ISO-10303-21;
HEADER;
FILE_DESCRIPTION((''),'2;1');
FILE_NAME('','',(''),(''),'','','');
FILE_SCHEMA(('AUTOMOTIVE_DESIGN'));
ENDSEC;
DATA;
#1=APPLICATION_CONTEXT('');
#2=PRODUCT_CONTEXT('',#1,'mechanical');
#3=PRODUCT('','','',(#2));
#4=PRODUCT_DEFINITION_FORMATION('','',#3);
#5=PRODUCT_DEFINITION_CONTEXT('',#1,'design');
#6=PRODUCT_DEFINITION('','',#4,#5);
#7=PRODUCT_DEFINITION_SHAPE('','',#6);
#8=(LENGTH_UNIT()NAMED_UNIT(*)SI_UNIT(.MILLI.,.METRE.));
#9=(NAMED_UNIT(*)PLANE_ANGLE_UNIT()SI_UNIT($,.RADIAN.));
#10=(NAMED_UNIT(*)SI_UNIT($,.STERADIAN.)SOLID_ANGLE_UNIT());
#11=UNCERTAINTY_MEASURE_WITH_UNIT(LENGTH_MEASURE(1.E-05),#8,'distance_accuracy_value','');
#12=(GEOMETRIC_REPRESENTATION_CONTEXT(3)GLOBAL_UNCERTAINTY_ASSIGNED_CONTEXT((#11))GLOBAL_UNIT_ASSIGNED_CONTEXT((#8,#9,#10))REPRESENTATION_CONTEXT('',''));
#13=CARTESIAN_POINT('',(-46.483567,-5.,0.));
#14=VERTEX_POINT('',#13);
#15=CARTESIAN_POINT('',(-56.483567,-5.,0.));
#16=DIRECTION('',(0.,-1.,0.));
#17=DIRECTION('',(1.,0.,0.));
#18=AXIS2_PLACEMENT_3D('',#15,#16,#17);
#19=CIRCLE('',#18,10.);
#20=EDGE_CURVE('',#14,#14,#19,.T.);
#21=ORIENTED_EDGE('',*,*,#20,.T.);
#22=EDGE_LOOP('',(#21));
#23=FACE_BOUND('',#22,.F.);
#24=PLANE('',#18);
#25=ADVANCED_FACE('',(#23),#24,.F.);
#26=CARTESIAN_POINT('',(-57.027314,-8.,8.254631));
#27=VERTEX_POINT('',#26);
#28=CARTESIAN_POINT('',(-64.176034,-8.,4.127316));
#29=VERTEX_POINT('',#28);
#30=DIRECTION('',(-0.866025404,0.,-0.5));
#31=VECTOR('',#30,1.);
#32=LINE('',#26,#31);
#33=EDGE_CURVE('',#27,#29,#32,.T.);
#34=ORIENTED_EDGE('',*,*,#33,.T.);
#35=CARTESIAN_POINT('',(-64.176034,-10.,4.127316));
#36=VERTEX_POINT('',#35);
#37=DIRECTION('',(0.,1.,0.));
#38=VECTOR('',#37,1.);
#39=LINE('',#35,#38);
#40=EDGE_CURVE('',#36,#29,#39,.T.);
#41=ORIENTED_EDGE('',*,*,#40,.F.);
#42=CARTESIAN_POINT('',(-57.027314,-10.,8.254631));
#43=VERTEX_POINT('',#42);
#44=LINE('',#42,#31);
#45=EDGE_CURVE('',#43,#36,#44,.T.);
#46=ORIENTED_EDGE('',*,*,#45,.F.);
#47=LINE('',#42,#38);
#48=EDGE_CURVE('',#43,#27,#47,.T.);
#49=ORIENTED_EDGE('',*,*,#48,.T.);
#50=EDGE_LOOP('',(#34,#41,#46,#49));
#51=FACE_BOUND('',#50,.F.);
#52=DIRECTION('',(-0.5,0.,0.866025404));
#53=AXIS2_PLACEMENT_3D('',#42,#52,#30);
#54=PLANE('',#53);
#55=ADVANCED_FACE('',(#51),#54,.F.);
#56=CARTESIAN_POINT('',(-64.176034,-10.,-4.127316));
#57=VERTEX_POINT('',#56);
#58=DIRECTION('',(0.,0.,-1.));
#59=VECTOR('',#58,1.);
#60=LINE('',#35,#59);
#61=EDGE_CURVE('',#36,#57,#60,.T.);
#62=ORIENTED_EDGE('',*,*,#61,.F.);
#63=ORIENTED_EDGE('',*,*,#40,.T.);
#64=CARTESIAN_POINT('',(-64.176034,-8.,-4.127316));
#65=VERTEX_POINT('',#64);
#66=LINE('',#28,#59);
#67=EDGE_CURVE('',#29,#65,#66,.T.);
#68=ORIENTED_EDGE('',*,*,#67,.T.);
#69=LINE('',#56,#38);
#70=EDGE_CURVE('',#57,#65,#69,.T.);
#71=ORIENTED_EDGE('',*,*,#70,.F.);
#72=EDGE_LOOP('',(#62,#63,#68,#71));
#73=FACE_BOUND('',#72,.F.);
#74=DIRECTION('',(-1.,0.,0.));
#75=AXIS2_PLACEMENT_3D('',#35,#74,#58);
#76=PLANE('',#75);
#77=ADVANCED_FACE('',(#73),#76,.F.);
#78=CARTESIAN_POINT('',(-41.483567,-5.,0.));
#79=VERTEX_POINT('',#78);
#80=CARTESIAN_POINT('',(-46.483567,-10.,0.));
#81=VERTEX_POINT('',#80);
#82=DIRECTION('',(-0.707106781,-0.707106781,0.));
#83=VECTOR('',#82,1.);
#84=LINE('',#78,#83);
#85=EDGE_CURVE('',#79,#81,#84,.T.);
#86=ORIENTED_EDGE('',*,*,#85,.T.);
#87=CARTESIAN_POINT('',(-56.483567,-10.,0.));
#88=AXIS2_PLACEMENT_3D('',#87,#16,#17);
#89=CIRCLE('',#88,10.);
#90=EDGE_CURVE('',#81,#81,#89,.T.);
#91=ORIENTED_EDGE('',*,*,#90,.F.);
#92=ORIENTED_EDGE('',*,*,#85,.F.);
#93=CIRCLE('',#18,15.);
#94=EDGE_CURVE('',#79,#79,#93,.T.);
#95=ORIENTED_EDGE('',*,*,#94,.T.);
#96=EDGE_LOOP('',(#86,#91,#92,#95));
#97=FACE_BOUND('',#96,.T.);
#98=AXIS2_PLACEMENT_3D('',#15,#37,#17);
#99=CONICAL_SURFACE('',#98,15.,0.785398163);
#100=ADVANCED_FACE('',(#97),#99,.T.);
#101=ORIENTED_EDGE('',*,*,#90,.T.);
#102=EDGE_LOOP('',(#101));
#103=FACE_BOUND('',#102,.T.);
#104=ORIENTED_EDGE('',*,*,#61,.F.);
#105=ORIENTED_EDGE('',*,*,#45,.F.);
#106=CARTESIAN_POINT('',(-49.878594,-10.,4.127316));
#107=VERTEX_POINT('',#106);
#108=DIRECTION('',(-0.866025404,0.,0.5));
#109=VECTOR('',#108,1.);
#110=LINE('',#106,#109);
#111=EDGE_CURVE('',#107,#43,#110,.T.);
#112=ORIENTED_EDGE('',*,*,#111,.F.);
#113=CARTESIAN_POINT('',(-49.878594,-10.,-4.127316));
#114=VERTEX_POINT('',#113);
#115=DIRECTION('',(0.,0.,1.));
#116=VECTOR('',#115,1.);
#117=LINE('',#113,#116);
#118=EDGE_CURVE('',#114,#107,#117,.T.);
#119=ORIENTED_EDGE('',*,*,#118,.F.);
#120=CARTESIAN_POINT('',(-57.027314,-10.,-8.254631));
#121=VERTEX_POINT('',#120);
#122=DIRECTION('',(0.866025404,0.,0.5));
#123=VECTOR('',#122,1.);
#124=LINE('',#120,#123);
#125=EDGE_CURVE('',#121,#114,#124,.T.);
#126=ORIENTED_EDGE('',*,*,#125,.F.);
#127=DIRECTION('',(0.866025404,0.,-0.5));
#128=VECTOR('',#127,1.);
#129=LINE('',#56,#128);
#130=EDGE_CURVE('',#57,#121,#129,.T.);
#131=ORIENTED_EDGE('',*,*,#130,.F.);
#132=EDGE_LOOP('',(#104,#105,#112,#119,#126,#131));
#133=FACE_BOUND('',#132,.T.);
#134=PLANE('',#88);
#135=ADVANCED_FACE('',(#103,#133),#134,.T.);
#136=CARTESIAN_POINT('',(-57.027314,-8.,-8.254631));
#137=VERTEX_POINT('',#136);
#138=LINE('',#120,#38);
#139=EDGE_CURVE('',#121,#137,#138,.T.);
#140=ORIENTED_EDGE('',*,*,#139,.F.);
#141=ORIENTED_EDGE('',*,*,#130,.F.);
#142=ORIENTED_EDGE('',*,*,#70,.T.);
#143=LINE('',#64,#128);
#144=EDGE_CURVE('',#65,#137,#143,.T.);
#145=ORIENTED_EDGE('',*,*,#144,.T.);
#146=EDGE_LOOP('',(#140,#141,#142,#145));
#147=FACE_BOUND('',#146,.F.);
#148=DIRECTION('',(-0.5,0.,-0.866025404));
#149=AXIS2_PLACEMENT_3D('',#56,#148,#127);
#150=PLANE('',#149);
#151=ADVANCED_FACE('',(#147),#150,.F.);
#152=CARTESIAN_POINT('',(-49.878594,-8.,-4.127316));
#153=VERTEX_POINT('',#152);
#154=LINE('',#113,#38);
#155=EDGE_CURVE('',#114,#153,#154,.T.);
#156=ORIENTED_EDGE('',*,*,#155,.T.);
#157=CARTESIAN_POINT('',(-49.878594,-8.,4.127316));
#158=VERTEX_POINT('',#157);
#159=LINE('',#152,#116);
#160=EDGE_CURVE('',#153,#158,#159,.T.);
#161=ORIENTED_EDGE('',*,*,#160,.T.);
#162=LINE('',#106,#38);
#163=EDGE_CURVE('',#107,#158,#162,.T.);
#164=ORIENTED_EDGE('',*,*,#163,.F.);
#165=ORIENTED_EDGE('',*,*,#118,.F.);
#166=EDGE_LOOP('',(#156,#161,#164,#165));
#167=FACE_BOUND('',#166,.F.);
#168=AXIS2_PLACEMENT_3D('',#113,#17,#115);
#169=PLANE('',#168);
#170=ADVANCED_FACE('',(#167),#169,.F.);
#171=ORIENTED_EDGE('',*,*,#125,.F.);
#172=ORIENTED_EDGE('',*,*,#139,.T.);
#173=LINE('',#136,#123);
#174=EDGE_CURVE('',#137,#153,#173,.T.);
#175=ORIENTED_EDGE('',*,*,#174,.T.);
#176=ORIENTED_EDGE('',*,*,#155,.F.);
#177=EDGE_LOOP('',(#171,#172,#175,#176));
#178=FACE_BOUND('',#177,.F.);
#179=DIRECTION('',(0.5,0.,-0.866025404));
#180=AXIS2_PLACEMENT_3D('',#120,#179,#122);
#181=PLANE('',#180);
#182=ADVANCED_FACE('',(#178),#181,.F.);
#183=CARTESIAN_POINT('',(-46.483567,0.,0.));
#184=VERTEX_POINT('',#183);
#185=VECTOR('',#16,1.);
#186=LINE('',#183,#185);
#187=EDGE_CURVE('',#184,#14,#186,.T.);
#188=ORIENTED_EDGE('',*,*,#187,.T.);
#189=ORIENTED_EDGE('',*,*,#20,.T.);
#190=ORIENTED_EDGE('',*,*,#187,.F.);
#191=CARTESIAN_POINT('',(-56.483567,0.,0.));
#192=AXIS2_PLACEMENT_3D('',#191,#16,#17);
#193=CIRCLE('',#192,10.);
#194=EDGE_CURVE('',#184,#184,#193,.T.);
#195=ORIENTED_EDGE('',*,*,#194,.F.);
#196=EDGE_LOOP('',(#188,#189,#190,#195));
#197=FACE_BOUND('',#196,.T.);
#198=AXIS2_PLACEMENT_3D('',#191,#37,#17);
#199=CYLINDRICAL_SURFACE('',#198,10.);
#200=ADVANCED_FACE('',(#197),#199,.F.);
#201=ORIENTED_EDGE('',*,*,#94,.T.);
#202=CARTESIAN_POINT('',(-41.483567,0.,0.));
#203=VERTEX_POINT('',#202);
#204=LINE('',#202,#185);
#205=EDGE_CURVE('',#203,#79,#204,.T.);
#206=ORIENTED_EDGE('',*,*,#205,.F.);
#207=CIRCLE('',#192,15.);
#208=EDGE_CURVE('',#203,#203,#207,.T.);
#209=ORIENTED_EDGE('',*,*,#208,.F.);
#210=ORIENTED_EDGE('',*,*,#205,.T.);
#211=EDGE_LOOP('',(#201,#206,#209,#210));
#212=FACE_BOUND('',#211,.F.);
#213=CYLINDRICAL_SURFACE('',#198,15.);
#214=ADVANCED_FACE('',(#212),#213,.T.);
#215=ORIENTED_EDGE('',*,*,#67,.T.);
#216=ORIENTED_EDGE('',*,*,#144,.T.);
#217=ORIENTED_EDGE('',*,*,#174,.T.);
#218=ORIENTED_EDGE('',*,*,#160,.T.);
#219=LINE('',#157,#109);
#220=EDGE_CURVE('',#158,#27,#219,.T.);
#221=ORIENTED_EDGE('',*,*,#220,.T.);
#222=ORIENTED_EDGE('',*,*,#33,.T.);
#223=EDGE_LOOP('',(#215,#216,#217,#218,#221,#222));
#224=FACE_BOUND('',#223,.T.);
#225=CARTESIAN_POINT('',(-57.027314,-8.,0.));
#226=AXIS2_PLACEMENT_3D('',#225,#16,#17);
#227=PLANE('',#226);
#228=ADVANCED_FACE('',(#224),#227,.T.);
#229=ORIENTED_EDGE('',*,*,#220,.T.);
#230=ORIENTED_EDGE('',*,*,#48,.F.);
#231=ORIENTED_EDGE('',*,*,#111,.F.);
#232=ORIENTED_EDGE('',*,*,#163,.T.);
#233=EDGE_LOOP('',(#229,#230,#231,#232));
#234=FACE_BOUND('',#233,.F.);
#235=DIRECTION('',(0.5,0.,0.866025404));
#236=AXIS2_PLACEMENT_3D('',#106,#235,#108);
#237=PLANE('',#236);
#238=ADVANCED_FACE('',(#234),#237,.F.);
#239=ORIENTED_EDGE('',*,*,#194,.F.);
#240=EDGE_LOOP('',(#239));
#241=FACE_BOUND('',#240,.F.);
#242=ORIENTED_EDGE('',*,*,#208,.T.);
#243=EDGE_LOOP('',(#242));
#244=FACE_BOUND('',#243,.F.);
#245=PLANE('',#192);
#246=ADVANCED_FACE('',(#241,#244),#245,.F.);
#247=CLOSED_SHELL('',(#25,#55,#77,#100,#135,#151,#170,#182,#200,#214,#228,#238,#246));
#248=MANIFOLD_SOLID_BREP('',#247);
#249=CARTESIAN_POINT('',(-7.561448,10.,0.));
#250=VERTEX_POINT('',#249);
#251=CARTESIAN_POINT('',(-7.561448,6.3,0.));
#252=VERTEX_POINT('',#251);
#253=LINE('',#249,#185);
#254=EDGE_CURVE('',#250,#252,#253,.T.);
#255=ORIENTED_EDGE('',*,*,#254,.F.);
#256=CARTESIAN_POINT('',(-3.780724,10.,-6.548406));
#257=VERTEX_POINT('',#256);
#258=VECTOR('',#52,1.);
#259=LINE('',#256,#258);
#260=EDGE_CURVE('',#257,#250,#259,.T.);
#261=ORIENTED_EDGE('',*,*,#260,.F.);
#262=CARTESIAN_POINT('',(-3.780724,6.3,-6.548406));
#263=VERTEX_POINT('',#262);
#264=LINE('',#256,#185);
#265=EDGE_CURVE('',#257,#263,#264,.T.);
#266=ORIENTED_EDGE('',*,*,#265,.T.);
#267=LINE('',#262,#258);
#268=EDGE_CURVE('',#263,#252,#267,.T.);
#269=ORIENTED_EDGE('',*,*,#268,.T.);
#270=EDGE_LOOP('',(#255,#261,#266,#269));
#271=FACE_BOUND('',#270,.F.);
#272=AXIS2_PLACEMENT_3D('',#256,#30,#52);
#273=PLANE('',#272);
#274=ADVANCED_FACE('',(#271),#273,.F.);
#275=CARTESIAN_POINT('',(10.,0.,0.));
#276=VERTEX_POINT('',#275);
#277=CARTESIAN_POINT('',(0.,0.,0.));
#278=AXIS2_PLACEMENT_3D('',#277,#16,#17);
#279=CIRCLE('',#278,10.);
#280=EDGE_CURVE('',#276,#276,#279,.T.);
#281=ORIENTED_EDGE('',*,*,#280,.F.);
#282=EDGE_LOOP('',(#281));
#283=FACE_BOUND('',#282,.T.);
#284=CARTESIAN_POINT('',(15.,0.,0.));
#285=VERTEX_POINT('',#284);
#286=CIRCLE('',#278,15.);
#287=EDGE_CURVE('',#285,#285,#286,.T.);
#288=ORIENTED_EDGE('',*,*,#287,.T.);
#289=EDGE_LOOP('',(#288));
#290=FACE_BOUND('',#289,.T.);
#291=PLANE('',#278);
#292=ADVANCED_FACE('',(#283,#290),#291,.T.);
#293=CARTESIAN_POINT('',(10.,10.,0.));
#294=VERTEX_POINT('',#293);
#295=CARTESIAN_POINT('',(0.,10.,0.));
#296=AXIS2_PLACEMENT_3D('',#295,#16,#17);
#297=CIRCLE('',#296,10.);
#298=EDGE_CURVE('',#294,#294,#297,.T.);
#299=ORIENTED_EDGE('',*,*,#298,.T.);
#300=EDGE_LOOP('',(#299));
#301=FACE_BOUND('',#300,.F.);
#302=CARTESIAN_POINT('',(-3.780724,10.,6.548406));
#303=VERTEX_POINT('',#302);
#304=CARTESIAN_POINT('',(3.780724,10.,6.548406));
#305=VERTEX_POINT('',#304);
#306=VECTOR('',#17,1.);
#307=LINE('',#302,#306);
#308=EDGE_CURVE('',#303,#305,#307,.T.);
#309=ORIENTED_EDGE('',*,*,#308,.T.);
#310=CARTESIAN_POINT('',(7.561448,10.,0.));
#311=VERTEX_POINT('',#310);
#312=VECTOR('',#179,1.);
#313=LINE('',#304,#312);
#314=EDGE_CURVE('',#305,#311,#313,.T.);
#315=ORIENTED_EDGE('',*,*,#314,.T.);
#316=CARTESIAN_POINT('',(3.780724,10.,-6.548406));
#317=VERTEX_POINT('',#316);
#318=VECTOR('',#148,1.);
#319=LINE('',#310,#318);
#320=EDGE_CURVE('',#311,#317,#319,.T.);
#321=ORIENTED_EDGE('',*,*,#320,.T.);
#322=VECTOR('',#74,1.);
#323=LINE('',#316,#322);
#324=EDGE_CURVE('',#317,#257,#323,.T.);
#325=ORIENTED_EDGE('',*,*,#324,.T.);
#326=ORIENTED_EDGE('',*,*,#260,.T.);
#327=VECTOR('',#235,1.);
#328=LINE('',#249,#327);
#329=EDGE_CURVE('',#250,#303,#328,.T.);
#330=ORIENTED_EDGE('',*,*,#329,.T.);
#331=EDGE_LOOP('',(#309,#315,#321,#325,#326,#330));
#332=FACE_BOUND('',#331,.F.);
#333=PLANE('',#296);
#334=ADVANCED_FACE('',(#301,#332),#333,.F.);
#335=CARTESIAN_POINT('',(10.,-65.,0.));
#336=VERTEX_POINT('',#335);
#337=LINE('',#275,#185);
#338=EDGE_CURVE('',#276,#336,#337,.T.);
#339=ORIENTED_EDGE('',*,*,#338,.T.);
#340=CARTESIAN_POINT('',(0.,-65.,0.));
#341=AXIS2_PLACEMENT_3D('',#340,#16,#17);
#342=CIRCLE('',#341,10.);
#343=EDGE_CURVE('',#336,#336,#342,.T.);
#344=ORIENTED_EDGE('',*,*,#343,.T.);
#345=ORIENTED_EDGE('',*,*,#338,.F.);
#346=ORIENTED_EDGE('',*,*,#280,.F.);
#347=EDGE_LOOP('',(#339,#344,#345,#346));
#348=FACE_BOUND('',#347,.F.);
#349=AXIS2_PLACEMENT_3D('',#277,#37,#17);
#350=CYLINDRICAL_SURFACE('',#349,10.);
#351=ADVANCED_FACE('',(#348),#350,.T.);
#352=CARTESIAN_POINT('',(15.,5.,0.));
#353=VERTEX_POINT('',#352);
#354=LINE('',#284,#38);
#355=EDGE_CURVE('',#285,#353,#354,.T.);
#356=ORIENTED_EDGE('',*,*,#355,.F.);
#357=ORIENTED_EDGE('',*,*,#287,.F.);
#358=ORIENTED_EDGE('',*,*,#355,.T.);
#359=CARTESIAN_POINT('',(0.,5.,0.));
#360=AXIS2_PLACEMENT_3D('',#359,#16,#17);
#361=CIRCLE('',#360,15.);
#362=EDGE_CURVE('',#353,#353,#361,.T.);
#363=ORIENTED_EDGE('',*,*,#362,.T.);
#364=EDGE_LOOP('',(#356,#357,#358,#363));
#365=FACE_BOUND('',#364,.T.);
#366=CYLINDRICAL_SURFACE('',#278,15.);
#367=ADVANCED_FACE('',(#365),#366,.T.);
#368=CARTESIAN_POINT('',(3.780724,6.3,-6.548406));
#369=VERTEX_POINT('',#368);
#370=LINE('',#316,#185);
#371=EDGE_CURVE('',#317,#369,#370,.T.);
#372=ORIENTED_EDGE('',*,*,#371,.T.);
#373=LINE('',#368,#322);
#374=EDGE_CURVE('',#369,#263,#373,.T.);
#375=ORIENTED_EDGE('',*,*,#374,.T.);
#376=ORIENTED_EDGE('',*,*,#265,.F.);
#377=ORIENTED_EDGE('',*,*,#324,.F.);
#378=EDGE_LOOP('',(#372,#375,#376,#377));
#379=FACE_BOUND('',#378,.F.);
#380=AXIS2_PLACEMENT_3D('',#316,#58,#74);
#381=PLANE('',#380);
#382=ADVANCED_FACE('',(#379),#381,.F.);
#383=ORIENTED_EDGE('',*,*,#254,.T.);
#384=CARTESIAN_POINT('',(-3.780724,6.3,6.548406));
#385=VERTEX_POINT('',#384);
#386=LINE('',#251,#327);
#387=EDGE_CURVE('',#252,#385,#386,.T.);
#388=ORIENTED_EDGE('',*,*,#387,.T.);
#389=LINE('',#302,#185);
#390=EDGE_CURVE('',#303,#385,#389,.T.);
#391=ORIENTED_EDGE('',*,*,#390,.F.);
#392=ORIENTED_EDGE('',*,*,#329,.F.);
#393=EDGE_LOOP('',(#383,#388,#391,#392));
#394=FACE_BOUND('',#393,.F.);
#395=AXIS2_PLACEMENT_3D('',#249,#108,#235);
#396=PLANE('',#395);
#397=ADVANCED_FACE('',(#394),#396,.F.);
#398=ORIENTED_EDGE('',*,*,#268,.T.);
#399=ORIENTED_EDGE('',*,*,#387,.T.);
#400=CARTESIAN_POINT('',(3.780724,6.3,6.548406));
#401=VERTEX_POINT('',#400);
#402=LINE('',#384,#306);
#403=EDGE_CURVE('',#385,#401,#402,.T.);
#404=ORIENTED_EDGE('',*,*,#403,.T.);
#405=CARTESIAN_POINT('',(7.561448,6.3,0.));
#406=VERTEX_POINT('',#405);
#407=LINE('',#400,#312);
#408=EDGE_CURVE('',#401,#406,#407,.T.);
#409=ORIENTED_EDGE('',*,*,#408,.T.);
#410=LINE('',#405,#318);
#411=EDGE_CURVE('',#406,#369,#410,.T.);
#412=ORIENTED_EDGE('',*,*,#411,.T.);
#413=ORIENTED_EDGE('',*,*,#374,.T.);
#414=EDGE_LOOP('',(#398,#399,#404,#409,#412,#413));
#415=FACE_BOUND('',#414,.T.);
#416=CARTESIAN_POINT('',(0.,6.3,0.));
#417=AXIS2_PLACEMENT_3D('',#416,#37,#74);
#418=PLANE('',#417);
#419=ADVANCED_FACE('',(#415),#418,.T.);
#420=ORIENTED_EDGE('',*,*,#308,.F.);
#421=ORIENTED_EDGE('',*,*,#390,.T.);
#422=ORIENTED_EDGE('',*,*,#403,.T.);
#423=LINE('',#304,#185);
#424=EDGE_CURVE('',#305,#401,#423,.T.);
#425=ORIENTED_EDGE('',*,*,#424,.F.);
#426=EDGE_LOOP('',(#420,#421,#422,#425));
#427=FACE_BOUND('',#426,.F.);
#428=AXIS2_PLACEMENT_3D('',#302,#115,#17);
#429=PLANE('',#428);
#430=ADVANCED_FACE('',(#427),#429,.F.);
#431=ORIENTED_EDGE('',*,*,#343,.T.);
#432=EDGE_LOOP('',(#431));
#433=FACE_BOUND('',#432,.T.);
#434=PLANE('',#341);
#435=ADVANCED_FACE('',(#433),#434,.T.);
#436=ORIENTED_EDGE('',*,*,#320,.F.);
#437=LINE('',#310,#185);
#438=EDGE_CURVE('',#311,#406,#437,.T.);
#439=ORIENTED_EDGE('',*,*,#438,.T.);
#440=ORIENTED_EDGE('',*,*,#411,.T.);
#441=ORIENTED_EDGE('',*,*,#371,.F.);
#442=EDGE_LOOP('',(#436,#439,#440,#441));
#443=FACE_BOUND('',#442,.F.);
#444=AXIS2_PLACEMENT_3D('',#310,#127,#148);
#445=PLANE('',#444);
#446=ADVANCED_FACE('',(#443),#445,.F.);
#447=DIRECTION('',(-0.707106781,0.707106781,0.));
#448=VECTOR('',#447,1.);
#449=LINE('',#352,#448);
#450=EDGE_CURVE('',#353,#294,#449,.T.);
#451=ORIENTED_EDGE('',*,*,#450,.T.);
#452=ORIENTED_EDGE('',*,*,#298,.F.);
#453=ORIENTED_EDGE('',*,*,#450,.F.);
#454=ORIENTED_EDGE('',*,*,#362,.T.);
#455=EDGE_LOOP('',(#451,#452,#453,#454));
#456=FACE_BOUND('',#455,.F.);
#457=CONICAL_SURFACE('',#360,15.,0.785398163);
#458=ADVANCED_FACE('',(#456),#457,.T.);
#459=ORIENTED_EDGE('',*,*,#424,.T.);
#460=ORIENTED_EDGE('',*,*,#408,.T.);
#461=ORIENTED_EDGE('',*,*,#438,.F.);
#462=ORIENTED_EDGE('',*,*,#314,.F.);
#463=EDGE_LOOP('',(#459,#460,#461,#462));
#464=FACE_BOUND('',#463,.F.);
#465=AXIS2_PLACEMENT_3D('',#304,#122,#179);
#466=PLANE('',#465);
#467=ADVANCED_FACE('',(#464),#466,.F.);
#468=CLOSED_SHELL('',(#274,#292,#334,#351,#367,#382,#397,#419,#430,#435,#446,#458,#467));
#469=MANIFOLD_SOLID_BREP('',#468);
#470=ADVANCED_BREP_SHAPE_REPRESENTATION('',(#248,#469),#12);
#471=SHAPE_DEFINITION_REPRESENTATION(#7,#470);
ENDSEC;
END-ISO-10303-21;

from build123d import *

# Parameters (mm, degrees)
F0_R      = 10
F1_DEPTH  = 65
F0_R_2    = 15
F2_DEPTH  = 10
F3_DEPTH  = 10
F4_DEPTH  = 5
F5_SIZE   = 5
F5_2_SIZE = 5
F7_DEPTH  = 3.7
F10_DEPTH = 2


with BuildPart() as f1:
    # F0 (on Front) → F1 (new body)
    with BuildSketch(Plane.XZ):
        Circle(F0_R)
    extrude(amount=F1_DEPTH)

    # F0 (on Front) → F2 (join)
    with BuildSketch(Plane.XZ):
        Circle(F0_R_2)
        Circle(F0_R, mode=Mode.SUBTRACT)
        Circle(F0_R)
    extrude(amount=-F2_DEPTH)

    # F5
    f5_edges = [f1.edges().sort_by_distance(p)[0] for p in [
        (-15, 10, 0),
    ]]
    chamfer(f5_edges, length=F5_SIZE)

    # F6 (on face) → F7 (cut)
    with BuildSketch(Plane(origin=(0, 10, 0), x_dir=(-1, 0, 0), z_dir=(0, 1, 0))):
        Polygon((-3.7807237503, -6.5484056249), (3.7807237503, -6.5484056249), (7.5614475006, 0), (3.7807237503, 6.5484056249), (-3.7807237503, 6.5484056249), (-7.5614475006, 0), align=None)
    extrude(amount=-F7_DEPTH, mode=Mode.SUBTRACT)


with BuildPart() as f3:
    # F0 (on Front) → F3 (new body)
    with BuildSketch(Plane.XZ):
        with Locations((-56.483566761, 0)):
            Circle(F0_R_2)
        with Locations((-56.483566761, 0)):
            Circle(F0_R, mode=Mode.SUBTRACT)
        with Locations((-56.483566761, 0)):
            Circle(F0_R)
    extrude(amount=F3_DEPTH)

    # F0 (on Front) → F4 (cut)
    with BuildSketch(Plane.XZ):
        with Locations((-56.483566761, 0)):
            Circle(F0_R)
    extrude(amount=F4_DEPTH, mode=Mode.SUBTRACT)

    # F5#2
    f5_2_edges = [f3.edges().sort_by_distance(p)[0] for p in [
        (-71.483567, -10, 0),
    ]]
    chamfer(f5_2_edges, length=F5_2_SIZE)

    # F9 (on offset) → F10 (cut)
    with BuildSketch(Plane.XZ.offset(10)):
        Polygon((-49.8785935342, -4.1273156034), (-49.8785935342, 4.1273156034), (-57.0273138583, 8.2546312069), (-64.1760341823, 4.1273156034), (-64.1760341823, -4.1273156034), (-57.0273138583, -8.2546312069), align=None)
    extrude(amount=-F10_DEPTH, mode=Mode.SUBTRACT)


solid = Compound([f1.part, f3.part])
